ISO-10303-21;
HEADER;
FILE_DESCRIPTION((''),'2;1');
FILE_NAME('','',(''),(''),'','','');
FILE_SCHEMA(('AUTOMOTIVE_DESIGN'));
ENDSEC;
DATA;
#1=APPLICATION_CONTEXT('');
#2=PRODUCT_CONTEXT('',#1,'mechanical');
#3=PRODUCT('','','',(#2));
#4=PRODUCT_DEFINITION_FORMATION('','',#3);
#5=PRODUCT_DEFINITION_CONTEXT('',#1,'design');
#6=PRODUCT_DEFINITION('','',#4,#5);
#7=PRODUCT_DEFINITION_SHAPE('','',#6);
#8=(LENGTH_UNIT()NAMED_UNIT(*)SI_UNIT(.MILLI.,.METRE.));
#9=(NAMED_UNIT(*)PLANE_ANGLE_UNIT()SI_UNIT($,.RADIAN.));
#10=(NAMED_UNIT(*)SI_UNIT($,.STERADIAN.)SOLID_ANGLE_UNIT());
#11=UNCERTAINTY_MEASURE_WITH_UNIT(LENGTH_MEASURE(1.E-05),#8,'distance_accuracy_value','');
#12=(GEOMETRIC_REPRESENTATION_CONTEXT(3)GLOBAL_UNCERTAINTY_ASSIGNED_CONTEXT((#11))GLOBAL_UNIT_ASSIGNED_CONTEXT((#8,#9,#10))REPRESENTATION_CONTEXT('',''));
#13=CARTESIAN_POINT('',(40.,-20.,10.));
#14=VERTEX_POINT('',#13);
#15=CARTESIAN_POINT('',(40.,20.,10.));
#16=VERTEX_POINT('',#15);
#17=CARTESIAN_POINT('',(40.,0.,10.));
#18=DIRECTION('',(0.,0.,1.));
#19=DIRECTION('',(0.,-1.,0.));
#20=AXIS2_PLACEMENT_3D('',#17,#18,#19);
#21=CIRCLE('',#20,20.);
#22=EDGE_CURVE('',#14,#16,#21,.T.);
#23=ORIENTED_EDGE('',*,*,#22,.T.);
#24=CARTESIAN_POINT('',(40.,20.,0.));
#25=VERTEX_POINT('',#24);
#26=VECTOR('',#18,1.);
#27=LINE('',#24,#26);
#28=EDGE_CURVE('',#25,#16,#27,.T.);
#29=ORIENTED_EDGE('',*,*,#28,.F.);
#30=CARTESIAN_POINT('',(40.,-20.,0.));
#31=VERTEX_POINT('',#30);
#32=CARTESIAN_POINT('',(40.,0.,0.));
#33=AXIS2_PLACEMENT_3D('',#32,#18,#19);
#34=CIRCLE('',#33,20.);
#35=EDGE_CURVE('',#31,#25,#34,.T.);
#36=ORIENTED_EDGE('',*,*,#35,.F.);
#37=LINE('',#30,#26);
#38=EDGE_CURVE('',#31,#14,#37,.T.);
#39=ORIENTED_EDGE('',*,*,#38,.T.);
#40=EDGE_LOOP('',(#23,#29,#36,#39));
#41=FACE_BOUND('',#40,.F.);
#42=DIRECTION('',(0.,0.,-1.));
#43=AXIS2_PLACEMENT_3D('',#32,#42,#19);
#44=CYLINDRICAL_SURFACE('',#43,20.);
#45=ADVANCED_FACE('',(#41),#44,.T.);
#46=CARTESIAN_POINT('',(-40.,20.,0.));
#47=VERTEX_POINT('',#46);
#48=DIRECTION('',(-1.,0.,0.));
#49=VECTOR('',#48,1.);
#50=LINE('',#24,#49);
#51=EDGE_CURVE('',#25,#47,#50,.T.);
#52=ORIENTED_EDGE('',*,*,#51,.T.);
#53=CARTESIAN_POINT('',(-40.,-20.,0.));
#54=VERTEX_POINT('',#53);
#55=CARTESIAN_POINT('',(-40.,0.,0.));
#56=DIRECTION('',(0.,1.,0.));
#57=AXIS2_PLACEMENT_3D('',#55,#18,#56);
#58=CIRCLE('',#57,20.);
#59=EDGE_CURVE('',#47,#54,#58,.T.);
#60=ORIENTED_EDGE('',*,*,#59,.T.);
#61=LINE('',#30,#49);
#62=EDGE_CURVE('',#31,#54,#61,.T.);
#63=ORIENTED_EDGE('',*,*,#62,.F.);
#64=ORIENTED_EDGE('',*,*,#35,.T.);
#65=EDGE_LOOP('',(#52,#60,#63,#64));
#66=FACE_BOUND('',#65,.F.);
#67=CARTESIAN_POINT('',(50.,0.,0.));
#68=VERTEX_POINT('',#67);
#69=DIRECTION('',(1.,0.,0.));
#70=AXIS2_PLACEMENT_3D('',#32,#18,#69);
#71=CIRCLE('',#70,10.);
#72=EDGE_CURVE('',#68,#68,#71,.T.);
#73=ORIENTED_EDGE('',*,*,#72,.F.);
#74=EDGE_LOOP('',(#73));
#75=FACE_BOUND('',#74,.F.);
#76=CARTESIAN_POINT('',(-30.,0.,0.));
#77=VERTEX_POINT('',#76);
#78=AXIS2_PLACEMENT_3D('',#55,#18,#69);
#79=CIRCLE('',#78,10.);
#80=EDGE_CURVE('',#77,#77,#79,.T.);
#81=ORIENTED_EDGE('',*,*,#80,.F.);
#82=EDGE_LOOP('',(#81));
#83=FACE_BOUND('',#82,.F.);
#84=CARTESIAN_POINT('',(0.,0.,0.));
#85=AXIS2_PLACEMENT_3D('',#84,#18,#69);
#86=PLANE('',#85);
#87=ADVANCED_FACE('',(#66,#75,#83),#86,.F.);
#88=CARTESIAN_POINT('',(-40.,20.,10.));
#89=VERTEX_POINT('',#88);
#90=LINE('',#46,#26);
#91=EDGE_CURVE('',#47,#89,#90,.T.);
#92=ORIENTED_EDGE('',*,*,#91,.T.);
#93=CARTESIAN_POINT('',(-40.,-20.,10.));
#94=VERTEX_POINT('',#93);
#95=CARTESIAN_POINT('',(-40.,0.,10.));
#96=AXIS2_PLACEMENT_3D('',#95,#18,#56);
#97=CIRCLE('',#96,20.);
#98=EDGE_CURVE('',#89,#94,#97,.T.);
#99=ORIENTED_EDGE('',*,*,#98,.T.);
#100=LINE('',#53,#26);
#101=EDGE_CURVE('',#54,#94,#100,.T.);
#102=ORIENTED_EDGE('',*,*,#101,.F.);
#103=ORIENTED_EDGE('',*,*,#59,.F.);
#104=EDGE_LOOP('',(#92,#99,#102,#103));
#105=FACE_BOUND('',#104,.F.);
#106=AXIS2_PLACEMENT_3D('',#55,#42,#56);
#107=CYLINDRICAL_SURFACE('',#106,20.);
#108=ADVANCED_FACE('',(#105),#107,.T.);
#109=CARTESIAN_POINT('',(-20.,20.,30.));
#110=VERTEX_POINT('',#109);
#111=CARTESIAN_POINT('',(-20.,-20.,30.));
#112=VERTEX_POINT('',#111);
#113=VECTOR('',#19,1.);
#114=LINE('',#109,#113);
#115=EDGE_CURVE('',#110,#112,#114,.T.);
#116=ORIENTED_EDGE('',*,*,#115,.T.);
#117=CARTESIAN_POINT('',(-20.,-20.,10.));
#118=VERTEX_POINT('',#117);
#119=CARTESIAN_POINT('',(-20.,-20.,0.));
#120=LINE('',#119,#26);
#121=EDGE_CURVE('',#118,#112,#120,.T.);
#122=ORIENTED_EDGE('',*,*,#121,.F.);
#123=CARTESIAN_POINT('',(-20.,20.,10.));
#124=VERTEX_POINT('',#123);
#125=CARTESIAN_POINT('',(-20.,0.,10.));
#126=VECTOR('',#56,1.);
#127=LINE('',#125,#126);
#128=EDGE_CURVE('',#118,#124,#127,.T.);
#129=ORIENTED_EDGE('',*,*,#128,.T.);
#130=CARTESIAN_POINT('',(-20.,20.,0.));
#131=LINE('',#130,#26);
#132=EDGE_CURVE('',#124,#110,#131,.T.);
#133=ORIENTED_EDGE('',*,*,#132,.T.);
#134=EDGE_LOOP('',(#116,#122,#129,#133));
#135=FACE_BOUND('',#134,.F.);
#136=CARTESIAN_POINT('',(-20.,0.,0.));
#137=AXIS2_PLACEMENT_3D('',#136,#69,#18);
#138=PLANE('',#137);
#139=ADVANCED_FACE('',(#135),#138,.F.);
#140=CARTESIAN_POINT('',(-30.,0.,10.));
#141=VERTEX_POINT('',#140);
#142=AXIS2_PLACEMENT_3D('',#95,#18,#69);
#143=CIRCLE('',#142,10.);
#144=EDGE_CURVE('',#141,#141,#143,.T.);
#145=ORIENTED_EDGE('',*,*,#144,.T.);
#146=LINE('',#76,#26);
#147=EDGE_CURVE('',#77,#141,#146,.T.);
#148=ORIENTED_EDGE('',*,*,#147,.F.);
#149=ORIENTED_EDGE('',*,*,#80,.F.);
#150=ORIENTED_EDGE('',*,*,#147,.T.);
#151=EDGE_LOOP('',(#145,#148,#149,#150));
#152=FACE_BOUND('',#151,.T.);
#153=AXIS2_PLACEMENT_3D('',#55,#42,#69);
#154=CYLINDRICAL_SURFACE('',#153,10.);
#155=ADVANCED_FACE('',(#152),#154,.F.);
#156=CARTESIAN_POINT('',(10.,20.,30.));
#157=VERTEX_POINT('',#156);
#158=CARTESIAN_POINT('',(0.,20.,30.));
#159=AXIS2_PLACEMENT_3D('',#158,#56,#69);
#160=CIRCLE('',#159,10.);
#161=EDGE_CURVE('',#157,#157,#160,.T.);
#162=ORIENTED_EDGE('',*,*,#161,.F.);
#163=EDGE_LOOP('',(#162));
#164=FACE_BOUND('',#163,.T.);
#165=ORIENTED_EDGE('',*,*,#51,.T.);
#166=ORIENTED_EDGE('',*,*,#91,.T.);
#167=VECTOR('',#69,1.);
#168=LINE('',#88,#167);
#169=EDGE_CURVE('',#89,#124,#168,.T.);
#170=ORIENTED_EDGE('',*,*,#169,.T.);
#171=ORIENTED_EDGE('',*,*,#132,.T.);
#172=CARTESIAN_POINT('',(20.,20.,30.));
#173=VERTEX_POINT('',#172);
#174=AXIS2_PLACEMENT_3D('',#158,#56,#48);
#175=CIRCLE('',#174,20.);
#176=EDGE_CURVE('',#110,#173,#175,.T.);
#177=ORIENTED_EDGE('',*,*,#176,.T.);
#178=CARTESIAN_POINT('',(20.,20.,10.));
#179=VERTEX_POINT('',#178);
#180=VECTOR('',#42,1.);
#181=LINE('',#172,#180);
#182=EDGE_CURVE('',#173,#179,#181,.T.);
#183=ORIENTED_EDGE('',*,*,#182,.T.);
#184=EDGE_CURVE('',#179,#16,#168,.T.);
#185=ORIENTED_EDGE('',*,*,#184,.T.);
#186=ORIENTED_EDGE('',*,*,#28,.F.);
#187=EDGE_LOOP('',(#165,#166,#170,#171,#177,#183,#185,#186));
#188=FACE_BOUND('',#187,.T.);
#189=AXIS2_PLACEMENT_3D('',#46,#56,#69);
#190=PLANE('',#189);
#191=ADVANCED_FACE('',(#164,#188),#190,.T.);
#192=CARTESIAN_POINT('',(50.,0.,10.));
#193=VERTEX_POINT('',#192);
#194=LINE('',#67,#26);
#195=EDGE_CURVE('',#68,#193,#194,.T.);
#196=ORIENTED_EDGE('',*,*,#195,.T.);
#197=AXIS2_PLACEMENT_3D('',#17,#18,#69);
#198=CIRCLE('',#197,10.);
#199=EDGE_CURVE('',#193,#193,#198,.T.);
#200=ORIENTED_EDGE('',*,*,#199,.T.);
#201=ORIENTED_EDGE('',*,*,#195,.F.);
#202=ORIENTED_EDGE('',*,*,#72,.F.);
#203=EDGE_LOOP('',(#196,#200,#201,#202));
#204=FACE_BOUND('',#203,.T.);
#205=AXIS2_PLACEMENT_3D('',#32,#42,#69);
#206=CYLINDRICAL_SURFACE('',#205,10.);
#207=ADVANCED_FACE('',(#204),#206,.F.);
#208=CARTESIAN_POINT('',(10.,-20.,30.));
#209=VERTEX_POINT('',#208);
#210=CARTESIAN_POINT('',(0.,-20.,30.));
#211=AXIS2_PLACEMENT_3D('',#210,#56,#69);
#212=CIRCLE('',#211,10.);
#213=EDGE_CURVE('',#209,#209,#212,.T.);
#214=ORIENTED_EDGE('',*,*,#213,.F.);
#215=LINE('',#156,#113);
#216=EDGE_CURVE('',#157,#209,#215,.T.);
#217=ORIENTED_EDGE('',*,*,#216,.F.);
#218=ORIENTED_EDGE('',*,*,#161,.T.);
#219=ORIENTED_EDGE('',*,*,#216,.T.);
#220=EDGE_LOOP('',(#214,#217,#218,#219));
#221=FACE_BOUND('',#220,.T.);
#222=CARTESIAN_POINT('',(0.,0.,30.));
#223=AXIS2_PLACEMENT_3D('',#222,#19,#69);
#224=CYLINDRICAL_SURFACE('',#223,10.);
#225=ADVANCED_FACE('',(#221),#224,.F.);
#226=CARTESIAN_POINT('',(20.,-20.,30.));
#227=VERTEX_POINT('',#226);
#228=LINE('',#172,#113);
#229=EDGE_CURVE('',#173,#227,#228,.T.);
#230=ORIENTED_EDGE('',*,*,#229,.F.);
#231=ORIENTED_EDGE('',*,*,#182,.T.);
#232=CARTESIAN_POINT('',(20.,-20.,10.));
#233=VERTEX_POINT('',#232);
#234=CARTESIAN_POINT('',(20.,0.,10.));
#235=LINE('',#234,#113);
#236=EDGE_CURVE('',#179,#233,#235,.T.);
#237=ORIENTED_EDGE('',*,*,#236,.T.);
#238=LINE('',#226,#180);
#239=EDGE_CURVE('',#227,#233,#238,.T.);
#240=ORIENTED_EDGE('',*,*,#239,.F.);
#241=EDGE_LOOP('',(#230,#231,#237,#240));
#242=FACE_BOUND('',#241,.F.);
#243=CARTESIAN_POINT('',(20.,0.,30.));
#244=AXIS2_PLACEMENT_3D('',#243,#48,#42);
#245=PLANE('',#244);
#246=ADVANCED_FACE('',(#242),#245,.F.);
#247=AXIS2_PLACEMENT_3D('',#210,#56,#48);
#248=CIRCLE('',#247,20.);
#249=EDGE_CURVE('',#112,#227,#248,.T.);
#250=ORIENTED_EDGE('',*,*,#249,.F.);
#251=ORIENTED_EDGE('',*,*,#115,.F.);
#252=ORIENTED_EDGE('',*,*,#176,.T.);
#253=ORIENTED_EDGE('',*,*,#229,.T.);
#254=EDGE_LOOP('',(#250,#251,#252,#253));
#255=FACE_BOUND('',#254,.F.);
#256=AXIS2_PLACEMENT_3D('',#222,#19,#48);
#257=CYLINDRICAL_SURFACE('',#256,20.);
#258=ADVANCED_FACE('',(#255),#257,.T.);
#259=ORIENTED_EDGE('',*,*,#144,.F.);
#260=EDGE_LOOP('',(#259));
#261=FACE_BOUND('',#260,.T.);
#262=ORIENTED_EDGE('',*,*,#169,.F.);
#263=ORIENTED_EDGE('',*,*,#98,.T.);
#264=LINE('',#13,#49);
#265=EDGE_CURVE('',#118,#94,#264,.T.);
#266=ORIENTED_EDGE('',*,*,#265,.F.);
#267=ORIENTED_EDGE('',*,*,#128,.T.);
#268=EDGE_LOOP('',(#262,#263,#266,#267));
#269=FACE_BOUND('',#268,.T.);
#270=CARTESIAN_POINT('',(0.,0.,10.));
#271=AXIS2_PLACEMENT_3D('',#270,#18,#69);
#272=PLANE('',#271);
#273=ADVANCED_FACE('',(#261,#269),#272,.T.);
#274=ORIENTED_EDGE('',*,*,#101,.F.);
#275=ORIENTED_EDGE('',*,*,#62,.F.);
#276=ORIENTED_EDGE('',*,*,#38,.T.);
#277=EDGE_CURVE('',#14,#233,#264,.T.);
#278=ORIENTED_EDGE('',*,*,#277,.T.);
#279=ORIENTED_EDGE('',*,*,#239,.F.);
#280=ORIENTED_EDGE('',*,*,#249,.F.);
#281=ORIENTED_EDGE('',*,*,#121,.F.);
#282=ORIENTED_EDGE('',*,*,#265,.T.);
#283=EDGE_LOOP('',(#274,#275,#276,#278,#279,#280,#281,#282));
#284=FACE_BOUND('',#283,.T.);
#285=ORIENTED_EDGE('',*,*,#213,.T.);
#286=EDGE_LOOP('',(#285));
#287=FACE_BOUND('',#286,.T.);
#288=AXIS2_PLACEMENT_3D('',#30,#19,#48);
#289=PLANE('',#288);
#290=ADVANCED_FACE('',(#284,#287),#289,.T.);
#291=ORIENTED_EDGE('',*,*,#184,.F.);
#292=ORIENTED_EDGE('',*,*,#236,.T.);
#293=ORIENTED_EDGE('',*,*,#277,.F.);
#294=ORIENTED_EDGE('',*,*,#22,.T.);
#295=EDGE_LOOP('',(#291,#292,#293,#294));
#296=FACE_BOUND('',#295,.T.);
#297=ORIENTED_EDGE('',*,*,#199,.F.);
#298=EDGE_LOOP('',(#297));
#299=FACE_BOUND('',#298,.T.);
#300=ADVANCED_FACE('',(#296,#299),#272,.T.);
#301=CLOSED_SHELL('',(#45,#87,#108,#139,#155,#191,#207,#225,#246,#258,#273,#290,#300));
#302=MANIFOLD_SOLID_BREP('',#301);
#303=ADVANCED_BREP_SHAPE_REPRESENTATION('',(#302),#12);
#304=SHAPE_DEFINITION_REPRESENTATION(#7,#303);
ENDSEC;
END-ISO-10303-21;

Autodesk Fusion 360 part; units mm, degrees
sketch "Sketch1" plane through (0, 0, 0) normal (0, 0, 1) x (1, 0, 0)
  line L0 (-40, 20) -> (40, 20)
  line L1 (40, -20) -> (-40, -20)
  circle A0 centre (40, 0) radius 10
  circle A1 centre (-40, 0) radius 10
  line L2 (-40, 0) -> (-20, 0) construction
  line L3 (20, 0) -> (40, 0) construction
  arc A2 (-40, 20) -> (-40, -20) centre (-40, 0) ccw
  arc A3 (40, -20) -> (40, 20) centre (40, 0) ccw
  dimension "d1" = 80
  dimension "d2" = 40
  dimension "d5" = 40
  dimension "d6" = 40
extrude "Extrude1" add sketch "Sketch1" along normal blind 10
sketch "Sketch2" plane through (0, 0, 0) normal (0, 1, 0) x (1, 0, 0)
  line L0 (20, 0) -> (-20, 0)
  line L1 (-20, 0) -> (-20, -30)
  line L2 (20, -30) -> (20, 0)
  line L3 (40, 0) -> (40, -10)
  circle A0 centre (0, -30) radius 10
  arc A1 (-20, -30) -> (20, -30) centre (0, -30) ccw
  dimension "d11" = 40
  dimension "d12" = 30
  dimension "d13" = 20
  dimension "d14" = 40
  dimension "d15" = 20
extrude "Extrude2" add sketch "Sketch2" along normal mid plane 40
